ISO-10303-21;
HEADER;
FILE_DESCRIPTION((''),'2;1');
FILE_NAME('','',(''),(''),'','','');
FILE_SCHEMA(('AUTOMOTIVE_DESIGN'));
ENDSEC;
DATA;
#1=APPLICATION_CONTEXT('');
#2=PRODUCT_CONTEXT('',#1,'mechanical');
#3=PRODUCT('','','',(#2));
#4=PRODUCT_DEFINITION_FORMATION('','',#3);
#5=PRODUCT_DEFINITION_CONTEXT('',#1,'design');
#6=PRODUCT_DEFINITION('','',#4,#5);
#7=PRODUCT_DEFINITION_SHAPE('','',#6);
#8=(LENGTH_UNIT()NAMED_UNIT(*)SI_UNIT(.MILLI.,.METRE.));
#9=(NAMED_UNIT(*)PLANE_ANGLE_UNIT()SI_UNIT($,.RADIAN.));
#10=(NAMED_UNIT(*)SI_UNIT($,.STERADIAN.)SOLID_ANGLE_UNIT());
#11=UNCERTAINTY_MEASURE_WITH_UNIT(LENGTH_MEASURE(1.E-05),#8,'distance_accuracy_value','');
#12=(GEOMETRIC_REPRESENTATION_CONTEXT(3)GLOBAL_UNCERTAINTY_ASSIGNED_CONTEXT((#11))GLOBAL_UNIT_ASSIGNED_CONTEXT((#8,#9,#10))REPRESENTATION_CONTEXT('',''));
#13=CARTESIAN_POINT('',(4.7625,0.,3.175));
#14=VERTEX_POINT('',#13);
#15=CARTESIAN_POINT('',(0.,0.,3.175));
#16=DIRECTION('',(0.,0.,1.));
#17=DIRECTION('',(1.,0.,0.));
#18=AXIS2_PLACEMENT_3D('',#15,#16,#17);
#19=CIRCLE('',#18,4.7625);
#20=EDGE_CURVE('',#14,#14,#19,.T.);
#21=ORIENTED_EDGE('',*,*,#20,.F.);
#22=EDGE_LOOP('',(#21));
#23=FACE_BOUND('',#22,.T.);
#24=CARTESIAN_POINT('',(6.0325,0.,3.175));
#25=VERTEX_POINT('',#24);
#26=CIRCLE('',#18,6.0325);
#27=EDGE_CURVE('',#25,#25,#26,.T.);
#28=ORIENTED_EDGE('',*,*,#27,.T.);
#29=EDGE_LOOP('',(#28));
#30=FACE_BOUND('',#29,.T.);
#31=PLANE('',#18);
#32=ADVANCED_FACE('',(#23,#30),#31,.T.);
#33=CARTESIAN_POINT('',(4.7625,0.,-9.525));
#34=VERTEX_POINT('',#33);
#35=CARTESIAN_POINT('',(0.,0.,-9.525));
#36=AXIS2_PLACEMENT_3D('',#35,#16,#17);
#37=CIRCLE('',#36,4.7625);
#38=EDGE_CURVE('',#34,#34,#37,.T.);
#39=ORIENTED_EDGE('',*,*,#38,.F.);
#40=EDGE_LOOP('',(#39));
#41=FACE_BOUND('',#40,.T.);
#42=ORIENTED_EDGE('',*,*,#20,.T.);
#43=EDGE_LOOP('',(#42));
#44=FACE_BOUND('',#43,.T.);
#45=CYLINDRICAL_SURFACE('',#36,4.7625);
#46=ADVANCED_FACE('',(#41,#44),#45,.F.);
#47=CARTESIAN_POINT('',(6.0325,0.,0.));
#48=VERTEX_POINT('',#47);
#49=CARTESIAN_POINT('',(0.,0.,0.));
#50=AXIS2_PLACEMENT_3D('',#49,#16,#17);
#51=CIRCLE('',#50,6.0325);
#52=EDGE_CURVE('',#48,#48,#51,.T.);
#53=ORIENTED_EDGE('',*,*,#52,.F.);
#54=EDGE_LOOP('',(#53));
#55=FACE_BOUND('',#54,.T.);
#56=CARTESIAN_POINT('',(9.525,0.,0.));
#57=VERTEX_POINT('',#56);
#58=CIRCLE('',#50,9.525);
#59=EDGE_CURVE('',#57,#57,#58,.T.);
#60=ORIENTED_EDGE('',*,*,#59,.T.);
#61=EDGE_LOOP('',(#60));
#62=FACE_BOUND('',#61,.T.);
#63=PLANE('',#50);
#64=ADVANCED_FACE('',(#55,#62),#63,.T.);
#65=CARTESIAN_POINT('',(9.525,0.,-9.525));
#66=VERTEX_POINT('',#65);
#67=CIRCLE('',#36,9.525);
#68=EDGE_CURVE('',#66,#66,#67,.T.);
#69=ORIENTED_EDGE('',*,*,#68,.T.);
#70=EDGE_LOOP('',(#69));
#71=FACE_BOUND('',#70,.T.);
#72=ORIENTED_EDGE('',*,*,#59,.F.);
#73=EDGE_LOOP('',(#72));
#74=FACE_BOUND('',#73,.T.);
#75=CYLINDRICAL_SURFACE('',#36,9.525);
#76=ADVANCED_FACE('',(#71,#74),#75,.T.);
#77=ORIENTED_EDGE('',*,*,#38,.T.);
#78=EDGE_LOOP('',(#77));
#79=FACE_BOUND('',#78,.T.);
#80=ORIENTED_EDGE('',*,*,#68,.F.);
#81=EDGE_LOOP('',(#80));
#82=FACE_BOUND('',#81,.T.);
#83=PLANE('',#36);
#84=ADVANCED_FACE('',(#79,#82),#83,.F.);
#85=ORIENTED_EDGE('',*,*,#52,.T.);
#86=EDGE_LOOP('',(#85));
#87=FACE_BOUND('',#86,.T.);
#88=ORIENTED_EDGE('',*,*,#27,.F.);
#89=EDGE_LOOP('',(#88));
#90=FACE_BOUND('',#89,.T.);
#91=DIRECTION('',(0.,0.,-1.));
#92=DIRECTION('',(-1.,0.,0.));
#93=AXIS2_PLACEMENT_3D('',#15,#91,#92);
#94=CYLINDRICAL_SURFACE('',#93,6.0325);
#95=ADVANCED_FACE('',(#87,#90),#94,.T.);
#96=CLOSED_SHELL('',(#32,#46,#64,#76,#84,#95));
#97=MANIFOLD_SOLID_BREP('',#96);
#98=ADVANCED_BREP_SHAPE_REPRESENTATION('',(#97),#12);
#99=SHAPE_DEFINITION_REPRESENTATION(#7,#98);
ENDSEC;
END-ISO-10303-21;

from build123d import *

# Parameters (mm, degrees)
SKETCH1_R           = 9.525
SKETCH1_R_2         = 4.7625
BOSS_EXTRUDE1_DEPTH = 9.525
BOSS_EXTRUDE2_START = 3.175
SKETCH1_4_R         = 6.0325
SKETCH1_4_R_2       = 4.7625
BOSS_EXTRUDE2_DEPTH = 3.175


with BuildPart() as part:
    # Sketch1 → Boss-Extrude1 (new body)
    with BuildSketch(Plane.XY):
        Circle(SKETCH1_R)
        Circle(SKETCH1_R_2, mode=Mode.SUBTRACT)
    extrude(amount=-BOSS_EXTRUDE1_DEPTH)

    # Sketch1<4> → Boss-Extrude2 (add)
    with BuildSketch(Plane.XY.offset(BOSS_EXTRUDE2_START)):
        Circle(SKETCH1_4_R)
        Circle(SKETCH1_4_R_2, mode=Mode.SUBTRACT)
    extrude(amount=-BOSS_EXTRUDE2_DEPTH)


solid = part.part
